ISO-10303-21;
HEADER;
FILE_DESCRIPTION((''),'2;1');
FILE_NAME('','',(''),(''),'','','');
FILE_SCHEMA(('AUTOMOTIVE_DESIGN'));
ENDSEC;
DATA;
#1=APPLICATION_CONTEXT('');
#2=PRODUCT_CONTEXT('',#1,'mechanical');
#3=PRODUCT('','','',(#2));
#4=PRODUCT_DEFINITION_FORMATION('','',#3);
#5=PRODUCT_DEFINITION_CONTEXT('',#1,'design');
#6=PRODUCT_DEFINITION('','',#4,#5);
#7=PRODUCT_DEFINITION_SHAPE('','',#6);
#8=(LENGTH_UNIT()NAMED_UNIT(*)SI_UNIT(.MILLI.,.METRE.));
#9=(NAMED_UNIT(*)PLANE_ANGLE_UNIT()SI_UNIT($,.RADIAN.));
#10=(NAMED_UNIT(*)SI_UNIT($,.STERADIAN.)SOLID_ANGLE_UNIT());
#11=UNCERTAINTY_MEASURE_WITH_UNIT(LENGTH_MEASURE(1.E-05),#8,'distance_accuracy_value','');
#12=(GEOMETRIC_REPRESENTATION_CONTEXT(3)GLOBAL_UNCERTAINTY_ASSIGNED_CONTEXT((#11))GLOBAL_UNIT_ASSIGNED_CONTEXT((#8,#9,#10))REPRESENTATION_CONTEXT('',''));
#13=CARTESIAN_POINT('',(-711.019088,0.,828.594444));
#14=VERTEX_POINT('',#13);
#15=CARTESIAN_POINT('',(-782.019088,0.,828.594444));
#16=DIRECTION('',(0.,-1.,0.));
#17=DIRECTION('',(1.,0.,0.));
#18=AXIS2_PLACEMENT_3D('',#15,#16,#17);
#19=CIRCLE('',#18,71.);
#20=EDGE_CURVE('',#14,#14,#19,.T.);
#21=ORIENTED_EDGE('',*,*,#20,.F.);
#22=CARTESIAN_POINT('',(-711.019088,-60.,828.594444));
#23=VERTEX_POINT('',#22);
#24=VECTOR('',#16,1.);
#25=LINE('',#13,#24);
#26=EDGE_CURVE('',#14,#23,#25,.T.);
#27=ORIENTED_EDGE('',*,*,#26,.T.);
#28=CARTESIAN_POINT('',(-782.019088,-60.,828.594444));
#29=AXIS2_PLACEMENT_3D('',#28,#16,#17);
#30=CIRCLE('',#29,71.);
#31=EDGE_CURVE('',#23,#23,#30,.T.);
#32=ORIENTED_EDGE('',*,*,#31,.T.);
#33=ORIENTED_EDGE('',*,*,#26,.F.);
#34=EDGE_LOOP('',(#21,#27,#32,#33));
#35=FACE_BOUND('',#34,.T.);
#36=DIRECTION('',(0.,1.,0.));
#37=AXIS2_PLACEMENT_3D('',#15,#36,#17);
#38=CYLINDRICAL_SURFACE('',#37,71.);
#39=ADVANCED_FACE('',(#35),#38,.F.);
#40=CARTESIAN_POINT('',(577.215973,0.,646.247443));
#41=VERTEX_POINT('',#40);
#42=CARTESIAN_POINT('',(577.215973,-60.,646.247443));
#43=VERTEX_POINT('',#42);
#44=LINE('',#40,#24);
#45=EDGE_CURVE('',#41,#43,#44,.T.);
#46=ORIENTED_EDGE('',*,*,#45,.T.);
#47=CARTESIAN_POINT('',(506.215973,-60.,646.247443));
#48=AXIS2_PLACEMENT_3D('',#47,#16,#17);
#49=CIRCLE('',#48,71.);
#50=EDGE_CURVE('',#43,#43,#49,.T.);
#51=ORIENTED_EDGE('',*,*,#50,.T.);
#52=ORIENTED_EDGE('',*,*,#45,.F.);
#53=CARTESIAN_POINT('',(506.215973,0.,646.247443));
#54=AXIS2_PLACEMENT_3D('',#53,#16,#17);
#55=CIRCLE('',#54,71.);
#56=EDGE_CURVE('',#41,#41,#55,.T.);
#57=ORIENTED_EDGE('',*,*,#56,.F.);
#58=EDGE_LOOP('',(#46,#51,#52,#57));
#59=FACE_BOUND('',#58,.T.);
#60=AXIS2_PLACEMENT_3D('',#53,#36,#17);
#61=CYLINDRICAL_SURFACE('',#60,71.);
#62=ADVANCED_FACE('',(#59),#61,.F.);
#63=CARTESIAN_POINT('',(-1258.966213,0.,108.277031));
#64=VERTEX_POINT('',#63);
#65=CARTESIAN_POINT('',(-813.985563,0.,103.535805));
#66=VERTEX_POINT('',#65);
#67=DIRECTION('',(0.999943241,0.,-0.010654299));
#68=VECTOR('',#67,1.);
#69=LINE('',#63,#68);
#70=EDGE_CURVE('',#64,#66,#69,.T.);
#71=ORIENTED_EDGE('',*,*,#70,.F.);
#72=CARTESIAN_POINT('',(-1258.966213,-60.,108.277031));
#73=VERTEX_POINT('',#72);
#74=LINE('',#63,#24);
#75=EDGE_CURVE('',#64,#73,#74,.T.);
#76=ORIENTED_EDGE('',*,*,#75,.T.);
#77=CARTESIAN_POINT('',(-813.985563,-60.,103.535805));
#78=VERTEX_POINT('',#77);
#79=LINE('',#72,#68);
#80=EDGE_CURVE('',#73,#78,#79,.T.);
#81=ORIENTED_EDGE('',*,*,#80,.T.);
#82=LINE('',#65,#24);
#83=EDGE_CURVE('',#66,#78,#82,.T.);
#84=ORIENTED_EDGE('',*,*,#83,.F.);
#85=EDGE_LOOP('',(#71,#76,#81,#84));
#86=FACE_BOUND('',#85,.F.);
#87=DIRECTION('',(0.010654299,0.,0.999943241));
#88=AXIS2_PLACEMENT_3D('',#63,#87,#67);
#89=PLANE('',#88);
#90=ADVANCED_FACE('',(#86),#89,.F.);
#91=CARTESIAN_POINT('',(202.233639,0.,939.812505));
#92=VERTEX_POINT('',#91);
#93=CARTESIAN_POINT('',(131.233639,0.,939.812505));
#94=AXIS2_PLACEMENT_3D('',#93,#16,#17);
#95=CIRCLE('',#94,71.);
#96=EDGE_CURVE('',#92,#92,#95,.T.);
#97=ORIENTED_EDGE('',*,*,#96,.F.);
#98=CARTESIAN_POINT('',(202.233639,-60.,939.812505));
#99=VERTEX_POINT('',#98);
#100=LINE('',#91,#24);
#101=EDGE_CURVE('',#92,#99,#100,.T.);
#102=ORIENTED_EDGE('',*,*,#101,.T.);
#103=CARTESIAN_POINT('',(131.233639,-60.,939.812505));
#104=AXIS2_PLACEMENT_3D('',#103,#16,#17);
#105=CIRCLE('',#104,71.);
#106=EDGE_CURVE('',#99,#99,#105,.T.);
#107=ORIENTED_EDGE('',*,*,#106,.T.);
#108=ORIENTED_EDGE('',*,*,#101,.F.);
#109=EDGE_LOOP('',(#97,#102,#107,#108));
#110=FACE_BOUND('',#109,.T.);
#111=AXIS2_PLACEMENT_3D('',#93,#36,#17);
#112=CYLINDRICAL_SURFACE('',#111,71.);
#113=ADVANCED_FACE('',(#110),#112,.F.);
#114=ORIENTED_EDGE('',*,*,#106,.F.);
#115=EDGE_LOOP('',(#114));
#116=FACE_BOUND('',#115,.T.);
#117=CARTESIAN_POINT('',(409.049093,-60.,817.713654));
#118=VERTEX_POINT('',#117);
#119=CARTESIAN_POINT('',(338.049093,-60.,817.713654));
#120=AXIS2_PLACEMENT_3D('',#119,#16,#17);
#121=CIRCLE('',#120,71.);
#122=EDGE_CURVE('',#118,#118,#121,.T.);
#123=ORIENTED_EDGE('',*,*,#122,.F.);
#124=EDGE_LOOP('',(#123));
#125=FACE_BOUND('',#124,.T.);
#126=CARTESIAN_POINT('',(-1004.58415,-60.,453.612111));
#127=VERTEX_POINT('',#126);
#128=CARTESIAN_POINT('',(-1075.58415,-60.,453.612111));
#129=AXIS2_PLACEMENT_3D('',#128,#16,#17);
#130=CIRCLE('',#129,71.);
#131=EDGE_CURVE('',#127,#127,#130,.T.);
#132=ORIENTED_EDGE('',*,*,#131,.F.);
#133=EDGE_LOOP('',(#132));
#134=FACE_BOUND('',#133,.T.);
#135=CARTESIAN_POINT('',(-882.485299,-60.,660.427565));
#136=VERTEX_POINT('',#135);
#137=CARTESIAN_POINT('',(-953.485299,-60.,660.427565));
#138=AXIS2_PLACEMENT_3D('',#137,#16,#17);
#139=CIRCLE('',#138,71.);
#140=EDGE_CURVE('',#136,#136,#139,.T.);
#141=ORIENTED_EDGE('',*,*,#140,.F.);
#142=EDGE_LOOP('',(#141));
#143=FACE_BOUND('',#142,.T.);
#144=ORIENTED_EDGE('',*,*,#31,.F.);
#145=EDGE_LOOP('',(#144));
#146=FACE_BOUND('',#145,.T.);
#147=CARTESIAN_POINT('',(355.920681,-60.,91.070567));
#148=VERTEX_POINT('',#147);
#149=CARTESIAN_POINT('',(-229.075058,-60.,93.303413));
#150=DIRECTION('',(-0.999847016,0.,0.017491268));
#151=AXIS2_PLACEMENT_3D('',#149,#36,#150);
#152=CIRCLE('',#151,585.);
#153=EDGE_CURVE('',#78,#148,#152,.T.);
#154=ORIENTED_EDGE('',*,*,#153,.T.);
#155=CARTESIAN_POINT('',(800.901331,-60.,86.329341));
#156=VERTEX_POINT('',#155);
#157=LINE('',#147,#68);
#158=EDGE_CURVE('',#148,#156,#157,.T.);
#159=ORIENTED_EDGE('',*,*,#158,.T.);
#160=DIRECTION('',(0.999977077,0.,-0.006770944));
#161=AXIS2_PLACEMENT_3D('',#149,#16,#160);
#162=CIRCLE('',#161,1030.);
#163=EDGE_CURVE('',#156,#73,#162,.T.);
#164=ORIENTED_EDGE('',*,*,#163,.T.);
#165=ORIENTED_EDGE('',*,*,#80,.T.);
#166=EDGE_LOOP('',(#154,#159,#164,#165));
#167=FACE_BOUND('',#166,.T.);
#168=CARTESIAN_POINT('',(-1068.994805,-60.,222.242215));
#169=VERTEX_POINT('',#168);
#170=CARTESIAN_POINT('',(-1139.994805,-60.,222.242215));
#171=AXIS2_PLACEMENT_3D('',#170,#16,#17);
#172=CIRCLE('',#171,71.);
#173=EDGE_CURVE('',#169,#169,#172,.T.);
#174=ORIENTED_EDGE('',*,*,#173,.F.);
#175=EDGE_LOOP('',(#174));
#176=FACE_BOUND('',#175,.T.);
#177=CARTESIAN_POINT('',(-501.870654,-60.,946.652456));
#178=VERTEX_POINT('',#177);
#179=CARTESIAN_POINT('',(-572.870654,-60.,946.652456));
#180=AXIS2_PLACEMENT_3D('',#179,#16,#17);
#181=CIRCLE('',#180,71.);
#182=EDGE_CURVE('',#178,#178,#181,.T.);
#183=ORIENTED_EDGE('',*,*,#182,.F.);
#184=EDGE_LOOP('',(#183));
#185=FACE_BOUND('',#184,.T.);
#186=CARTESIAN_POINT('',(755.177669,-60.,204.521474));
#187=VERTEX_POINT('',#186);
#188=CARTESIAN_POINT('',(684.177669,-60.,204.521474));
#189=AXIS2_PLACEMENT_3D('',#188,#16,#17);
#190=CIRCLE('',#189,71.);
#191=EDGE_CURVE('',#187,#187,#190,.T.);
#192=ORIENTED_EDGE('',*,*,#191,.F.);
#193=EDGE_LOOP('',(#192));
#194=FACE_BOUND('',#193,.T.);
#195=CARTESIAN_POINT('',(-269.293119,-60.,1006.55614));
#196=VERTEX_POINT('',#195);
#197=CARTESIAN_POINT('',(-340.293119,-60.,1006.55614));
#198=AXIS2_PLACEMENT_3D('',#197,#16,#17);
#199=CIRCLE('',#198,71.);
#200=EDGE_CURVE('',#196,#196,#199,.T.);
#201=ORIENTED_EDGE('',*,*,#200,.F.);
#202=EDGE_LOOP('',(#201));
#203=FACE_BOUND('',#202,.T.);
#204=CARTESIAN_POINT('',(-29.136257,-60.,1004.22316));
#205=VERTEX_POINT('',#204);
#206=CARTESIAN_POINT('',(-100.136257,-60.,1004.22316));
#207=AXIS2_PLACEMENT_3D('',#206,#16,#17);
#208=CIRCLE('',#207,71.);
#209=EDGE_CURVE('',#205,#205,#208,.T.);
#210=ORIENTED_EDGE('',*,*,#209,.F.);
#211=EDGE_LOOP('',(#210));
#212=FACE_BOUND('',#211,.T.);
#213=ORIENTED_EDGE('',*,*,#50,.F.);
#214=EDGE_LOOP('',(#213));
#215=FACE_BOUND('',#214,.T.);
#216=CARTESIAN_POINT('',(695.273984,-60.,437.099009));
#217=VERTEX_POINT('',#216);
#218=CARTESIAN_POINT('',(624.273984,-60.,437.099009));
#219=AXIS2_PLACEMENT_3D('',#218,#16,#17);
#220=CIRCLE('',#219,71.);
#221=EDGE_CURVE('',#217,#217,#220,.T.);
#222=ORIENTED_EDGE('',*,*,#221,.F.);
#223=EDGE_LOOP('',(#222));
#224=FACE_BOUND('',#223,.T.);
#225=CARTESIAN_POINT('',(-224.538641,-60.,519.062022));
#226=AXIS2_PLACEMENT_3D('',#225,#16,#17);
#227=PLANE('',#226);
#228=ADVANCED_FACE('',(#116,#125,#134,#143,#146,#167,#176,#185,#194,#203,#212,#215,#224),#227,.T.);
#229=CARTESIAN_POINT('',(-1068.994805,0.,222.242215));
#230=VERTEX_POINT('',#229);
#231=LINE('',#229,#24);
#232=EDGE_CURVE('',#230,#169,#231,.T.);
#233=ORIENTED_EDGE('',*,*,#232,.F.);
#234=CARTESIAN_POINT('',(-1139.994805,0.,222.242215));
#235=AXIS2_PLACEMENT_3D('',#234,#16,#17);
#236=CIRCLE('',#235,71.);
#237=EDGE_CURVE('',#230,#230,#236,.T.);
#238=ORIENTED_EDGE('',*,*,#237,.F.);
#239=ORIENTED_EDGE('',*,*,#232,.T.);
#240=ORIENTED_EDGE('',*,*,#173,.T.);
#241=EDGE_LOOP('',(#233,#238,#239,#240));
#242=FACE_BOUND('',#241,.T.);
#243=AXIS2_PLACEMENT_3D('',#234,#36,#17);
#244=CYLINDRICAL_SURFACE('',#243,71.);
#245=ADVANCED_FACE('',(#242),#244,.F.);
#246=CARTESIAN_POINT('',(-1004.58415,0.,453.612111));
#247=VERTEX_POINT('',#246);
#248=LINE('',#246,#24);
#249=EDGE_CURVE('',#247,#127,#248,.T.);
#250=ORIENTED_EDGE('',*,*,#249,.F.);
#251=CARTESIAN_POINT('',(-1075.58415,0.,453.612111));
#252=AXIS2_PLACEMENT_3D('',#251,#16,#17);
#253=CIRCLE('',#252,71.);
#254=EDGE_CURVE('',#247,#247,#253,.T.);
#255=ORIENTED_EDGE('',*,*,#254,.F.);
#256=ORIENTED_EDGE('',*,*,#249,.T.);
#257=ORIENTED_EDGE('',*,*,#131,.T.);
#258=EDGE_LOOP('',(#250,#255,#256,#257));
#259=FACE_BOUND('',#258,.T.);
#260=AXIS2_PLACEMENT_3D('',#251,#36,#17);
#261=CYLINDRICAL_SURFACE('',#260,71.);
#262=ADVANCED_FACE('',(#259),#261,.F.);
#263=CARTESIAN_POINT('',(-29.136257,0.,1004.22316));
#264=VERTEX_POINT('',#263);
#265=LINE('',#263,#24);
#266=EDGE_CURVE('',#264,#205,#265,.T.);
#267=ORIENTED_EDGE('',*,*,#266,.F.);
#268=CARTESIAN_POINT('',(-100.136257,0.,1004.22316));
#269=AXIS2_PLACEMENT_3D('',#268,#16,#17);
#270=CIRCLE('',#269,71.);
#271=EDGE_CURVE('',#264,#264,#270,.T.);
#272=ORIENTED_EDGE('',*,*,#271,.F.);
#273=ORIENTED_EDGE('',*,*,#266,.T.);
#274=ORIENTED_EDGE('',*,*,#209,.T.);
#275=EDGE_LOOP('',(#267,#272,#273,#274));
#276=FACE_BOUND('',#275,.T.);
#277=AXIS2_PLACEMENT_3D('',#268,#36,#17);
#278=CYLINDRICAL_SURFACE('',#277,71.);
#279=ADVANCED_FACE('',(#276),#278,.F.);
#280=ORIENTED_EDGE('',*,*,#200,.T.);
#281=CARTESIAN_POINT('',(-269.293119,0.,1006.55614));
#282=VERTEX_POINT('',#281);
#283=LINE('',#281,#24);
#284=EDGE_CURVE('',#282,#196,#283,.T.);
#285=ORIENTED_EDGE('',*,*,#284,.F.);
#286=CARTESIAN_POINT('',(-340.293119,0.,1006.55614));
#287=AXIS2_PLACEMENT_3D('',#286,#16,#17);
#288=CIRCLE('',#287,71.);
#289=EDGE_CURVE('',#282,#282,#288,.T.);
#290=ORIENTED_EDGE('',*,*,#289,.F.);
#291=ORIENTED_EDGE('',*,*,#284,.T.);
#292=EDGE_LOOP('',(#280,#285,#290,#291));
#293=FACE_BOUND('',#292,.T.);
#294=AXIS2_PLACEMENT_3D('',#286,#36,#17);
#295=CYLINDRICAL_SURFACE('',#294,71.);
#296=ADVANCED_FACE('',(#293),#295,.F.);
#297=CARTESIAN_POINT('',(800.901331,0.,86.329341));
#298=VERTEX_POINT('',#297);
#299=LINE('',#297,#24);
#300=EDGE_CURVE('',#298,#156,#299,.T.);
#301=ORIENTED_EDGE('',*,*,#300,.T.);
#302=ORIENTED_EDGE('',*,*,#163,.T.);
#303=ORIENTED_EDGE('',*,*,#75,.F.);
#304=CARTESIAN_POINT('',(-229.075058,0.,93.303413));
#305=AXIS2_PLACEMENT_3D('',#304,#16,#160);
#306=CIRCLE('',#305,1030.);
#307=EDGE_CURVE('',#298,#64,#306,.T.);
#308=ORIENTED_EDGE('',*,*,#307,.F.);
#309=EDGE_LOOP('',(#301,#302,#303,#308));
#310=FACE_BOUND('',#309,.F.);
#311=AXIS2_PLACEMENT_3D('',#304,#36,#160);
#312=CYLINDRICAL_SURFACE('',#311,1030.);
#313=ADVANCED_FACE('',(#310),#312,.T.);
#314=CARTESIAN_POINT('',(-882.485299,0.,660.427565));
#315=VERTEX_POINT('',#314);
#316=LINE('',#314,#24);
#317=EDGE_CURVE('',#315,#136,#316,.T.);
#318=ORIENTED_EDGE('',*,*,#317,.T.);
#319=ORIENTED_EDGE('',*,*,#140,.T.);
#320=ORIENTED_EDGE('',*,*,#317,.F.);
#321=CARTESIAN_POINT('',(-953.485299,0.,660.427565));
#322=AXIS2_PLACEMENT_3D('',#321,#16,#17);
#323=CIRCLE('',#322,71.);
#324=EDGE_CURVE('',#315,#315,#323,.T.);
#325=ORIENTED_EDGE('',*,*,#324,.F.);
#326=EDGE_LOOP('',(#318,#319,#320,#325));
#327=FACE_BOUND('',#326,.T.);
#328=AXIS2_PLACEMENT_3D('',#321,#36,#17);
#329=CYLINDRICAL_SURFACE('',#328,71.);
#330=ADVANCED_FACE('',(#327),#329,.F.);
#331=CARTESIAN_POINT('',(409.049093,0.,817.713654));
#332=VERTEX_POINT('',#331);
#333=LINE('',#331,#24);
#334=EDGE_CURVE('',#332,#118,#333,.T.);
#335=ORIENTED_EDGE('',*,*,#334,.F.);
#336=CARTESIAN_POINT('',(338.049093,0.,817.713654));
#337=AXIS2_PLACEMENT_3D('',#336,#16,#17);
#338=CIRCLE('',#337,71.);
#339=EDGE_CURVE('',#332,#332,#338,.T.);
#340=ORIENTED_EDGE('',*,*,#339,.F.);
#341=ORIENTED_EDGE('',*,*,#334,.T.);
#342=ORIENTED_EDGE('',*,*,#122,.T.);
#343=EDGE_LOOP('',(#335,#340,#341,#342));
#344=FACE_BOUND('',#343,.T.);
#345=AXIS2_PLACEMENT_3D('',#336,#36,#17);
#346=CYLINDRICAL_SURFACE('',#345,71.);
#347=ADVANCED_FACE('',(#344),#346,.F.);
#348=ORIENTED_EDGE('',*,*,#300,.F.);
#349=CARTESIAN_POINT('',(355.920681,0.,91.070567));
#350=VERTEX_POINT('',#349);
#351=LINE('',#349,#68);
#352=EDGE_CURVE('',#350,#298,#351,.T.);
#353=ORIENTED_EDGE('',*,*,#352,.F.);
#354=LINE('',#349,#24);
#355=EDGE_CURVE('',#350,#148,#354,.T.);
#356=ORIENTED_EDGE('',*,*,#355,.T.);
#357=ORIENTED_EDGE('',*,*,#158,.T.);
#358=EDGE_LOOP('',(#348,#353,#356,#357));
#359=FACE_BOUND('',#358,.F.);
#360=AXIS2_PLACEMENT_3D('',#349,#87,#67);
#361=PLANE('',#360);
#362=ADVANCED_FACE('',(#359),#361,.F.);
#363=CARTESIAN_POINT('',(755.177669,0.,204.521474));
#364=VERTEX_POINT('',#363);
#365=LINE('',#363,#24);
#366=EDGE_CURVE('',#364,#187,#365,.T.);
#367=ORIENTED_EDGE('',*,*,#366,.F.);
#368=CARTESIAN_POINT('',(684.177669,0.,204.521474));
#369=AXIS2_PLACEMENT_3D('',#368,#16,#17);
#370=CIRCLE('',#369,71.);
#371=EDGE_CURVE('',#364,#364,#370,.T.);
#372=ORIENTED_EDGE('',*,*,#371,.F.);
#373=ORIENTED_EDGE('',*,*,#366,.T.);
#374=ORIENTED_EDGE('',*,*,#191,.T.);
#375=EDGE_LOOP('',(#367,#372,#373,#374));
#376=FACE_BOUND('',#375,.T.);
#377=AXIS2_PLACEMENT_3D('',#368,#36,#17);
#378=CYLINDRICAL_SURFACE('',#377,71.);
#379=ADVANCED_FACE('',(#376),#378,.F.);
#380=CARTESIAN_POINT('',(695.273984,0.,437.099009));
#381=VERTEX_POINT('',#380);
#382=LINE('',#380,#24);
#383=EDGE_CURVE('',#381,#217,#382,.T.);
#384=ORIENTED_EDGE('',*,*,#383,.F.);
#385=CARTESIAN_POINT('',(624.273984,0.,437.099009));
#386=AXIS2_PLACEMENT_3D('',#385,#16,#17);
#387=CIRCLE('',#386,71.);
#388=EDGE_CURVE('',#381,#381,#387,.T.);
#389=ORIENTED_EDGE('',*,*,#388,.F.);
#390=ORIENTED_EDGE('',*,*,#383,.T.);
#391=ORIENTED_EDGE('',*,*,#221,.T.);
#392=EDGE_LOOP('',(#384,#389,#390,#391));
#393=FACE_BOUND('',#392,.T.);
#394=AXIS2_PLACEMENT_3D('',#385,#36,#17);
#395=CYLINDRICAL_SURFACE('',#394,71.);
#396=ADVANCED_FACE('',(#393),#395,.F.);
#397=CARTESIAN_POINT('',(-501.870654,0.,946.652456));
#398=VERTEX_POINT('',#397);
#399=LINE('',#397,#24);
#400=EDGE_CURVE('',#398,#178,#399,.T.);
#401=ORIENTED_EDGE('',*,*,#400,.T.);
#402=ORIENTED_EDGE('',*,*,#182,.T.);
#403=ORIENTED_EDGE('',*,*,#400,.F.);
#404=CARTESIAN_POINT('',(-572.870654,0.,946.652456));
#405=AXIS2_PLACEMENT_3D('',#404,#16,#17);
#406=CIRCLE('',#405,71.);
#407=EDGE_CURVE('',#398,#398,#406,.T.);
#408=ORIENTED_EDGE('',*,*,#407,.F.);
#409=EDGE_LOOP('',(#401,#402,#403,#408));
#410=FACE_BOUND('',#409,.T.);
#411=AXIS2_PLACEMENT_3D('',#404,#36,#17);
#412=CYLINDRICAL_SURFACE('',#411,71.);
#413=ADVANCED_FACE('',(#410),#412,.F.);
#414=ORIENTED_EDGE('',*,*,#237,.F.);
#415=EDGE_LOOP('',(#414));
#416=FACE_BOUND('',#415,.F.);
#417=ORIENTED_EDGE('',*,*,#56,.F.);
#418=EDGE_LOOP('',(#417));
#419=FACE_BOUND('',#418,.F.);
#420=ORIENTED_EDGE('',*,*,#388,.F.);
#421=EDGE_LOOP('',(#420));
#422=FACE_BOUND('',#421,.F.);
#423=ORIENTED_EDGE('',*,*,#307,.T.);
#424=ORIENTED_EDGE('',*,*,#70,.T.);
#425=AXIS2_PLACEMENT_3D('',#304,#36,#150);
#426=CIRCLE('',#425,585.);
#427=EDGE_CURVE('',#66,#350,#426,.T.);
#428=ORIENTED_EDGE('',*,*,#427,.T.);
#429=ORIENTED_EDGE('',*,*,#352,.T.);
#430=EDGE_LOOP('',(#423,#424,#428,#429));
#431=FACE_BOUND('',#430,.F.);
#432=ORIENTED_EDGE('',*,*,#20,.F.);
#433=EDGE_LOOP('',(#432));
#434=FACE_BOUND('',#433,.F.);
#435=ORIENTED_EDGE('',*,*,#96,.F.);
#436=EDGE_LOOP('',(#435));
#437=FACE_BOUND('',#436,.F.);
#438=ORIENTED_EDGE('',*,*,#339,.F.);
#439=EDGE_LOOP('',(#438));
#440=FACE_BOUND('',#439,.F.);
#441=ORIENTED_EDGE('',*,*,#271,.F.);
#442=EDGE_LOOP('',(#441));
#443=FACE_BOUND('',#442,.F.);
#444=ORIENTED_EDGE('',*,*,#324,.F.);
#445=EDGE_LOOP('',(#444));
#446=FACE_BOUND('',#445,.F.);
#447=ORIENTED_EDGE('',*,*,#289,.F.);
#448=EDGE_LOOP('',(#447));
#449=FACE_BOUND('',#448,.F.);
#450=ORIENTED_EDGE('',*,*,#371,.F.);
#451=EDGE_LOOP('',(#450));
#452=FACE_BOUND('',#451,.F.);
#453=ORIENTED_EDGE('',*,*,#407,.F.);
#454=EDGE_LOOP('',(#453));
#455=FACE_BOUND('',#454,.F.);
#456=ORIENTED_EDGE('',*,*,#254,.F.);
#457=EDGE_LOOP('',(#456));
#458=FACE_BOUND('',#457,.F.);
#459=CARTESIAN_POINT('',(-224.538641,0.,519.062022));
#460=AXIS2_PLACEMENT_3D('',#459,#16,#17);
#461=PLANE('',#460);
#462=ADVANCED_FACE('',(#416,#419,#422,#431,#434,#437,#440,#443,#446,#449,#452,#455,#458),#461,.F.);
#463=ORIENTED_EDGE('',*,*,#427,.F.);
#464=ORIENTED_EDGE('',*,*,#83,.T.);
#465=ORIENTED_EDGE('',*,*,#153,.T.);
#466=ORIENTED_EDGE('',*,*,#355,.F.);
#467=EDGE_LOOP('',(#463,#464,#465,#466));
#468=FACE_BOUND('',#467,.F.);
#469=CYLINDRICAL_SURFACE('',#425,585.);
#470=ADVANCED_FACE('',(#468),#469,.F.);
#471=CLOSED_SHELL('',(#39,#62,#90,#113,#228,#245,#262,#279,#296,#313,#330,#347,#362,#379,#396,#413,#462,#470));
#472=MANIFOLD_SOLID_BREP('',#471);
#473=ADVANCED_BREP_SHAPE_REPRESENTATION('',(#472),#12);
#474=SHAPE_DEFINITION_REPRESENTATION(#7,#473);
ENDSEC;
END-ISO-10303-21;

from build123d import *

# Parameters (mm, degrees)
F0_R     = 71
F1_DEPTH = 60


with BuildPart() as f1:
    # F0 (on Front) → F1 (new body)
    with BuildSketch(Plane.XZ):
        with BuildLine():
            ThreePointArc((-813.985563, 103.535805), (-222.842293, 678.27021), (355.920681, 91.070567))
            Line((355.920681, 91.070567), (800.901331, 86.329341))
            ThreePointArc((800.901331, 86.329341), (-218.10113, 1123.244952), (-1258.966213, 108.277031))
            Line((-1258.966213, 108.277031), (-813.985563, 103.535805))
        make_face()
        with Locations((-1139.994805, 222.242215)):
            Circle(F0_R, mode=Mode.SUBTRACT)
        with Locations((-1075.58415, 453.612111)):
            Circle(F0_R, mode=Mode.SUBTRACT)
        with Locations((684.177669, 204.521474)):
            Circle(F0_R, mode=Mode.SUBTRACT)
        with Locations((624.273984, 437.099009)):
            Circle(F0_R, mode=Mode.SUBTRACT)
        with Locations((-953.485299, 660.427565)):
            Circle(F0_R, mode=Mode.SUBTRACT)
        with Locations((-782.019088, 828.594444)):
            Circle(F0_R, mode=Mode.SUBTRACT)
        with Locations((-572.870654, 946.652456)):
            Circle(F0_R, mode=Mode.SUBTRACT)
        with Locations((-340.293119, 1006.55614)):
            Circle(F0_R, mode=Mode.SUBTRACT)
        with Locations((506.215973, 646.247443)):
            Circle(F0_R, mode=Mode.SUBTRACT)
        with Locations((338.049093, 817.713654)):
            Circle(F0_R, mode=Mode.SUBTRACT)
        with Locations((131.233639, 939.812505)):
            Circle(F0_R, mode=Mode.SUBTRACT)
        with Locations((-100.136257, 1004.22316)):
            Circle(F0_R, mode=Mode.SUBTRACT)
    extrude(amount=F1_DEPTH)


solid = f1.part
